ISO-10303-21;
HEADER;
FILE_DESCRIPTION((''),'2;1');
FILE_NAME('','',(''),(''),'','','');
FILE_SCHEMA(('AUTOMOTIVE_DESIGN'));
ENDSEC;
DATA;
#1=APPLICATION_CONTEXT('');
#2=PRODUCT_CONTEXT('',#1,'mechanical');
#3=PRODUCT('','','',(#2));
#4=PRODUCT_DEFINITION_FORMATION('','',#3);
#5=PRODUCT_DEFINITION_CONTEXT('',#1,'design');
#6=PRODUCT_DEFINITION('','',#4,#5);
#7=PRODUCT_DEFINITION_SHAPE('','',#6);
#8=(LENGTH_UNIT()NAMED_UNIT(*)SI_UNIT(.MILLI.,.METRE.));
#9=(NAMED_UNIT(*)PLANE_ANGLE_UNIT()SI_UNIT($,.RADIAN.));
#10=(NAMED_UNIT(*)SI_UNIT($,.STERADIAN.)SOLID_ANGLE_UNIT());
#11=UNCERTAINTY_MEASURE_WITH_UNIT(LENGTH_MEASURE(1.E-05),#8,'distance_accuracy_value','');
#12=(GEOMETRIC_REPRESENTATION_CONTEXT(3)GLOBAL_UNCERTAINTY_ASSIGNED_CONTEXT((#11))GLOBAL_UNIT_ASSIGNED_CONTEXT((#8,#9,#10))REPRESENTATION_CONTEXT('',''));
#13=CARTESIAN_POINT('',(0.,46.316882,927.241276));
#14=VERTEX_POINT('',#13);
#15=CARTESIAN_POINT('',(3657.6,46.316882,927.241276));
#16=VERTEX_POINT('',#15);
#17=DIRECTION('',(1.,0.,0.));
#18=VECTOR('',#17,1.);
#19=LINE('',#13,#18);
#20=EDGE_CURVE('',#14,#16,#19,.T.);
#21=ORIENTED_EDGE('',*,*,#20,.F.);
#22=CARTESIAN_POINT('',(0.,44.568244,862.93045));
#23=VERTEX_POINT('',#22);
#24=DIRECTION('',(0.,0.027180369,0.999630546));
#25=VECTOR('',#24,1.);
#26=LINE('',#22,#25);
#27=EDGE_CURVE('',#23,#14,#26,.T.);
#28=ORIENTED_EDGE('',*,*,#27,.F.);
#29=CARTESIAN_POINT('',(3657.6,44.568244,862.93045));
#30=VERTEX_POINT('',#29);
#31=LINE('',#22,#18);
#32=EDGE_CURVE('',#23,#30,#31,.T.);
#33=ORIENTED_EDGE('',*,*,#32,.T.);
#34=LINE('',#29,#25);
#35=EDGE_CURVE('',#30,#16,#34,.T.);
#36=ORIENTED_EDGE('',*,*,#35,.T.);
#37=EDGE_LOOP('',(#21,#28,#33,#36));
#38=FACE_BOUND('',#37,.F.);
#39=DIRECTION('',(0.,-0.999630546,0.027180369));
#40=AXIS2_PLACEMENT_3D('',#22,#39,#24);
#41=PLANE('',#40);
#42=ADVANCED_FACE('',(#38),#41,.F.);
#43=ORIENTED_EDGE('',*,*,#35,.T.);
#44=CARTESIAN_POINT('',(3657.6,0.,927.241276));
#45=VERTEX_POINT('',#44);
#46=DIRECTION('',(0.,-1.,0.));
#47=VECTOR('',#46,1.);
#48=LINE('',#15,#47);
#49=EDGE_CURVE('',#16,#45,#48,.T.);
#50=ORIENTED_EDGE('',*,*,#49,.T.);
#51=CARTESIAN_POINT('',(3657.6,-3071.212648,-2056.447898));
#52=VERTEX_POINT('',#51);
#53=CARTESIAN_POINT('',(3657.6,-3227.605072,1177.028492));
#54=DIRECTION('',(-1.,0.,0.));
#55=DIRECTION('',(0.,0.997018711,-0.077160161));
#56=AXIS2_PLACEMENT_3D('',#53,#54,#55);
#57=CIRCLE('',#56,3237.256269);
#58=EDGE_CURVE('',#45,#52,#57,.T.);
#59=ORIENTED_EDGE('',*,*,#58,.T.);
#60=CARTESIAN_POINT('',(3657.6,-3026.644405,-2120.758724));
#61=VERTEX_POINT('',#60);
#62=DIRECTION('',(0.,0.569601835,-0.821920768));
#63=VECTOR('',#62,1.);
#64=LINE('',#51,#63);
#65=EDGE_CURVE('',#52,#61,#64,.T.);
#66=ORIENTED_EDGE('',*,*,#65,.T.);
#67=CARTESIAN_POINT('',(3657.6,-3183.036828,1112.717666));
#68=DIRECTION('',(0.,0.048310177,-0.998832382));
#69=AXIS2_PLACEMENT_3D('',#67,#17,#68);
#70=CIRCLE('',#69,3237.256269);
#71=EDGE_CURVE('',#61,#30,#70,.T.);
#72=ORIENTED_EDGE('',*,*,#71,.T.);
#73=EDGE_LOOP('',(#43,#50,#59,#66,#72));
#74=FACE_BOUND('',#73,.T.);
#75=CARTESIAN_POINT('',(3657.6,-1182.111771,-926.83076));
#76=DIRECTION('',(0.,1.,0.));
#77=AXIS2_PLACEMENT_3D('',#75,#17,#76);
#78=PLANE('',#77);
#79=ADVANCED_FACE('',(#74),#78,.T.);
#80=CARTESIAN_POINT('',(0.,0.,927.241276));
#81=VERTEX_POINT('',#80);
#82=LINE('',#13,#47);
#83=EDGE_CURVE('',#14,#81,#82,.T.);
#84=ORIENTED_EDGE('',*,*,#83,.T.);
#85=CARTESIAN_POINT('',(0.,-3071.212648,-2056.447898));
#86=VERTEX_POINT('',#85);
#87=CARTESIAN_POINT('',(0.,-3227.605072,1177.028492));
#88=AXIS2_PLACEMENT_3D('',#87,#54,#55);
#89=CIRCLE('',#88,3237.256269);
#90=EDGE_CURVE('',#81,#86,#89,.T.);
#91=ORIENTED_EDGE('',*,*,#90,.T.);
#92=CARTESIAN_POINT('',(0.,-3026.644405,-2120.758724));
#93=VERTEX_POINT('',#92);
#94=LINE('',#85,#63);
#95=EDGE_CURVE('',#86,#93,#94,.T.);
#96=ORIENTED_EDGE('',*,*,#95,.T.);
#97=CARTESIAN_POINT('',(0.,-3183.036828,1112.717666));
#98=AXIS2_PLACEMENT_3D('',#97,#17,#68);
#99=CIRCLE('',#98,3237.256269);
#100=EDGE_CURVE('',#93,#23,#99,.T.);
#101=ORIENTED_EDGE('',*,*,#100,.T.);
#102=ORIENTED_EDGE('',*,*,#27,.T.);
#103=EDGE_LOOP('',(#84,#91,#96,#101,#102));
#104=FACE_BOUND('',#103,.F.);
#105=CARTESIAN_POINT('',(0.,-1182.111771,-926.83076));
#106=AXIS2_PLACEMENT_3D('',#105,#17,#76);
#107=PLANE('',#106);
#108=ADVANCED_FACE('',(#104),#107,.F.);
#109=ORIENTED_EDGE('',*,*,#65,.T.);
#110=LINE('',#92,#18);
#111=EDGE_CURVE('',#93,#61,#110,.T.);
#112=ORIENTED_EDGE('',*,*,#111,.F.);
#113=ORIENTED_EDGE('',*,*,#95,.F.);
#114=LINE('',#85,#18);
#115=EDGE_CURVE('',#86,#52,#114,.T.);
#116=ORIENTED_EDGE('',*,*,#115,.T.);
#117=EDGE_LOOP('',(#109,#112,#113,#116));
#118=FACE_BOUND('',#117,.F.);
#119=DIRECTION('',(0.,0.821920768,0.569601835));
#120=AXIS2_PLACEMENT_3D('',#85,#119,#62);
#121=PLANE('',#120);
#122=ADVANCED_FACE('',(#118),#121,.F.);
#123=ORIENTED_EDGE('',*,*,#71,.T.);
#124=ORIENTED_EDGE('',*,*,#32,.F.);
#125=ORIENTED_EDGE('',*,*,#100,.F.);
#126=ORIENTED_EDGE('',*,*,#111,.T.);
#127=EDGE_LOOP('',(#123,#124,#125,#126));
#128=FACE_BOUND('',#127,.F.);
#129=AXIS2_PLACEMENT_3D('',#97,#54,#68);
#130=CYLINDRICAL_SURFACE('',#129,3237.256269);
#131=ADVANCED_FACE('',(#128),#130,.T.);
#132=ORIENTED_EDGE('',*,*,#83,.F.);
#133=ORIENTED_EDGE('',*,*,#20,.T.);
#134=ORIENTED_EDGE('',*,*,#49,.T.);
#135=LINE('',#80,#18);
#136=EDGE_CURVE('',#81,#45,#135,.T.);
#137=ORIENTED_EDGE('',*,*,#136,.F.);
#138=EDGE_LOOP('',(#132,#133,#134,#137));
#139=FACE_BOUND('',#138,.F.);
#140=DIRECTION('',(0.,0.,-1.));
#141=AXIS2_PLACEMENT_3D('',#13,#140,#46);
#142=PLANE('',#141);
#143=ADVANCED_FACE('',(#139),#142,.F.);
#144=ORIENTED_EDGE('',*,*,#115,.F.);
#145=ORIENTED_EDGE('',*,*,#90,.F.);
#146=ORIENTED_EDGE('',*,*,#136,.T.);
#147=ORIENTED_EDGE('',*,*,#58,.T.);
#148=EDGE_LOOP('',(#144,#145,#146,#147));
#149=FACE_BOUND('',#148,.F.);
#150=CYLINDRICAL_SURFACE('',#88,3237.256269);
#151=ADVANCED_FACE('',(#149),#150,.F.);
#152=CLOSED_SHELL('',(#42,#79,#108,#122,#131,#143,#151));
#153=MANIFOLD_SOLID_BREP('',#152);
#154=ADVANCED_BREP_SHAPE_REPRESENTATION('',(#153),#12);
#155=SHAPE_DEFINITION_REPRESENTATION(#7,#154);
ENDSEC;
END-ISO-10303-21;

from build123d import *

# Parameters (mm, degrees)
F1_DEPTH = 3657.6


with BuildPart() as f1:
    # F0 (on Right) → F1 (new body)
    with BuildSketch(Plane.YZ):
        with BuildLine():
            ThreePointArc((0, 927.241276), (-971.843552, -1144.903488), (-3071.212648, -2056.447898))
            Line((-3071.212648, -2056.447898), (-3026.644405, -2120.758724))
            ThreePointArc((-3026.644405, -2120.758724), (-927.275308, -1209.214314), (44.568244, 862.93045))
            Line((44.568244, 862.93045), (46.316882, 927.241276))
            Line((46.316882, 927.241276), (0, 927.241276))
        make_face()
    extrude(amount=F1_DEPTH)


solid = f1.part
